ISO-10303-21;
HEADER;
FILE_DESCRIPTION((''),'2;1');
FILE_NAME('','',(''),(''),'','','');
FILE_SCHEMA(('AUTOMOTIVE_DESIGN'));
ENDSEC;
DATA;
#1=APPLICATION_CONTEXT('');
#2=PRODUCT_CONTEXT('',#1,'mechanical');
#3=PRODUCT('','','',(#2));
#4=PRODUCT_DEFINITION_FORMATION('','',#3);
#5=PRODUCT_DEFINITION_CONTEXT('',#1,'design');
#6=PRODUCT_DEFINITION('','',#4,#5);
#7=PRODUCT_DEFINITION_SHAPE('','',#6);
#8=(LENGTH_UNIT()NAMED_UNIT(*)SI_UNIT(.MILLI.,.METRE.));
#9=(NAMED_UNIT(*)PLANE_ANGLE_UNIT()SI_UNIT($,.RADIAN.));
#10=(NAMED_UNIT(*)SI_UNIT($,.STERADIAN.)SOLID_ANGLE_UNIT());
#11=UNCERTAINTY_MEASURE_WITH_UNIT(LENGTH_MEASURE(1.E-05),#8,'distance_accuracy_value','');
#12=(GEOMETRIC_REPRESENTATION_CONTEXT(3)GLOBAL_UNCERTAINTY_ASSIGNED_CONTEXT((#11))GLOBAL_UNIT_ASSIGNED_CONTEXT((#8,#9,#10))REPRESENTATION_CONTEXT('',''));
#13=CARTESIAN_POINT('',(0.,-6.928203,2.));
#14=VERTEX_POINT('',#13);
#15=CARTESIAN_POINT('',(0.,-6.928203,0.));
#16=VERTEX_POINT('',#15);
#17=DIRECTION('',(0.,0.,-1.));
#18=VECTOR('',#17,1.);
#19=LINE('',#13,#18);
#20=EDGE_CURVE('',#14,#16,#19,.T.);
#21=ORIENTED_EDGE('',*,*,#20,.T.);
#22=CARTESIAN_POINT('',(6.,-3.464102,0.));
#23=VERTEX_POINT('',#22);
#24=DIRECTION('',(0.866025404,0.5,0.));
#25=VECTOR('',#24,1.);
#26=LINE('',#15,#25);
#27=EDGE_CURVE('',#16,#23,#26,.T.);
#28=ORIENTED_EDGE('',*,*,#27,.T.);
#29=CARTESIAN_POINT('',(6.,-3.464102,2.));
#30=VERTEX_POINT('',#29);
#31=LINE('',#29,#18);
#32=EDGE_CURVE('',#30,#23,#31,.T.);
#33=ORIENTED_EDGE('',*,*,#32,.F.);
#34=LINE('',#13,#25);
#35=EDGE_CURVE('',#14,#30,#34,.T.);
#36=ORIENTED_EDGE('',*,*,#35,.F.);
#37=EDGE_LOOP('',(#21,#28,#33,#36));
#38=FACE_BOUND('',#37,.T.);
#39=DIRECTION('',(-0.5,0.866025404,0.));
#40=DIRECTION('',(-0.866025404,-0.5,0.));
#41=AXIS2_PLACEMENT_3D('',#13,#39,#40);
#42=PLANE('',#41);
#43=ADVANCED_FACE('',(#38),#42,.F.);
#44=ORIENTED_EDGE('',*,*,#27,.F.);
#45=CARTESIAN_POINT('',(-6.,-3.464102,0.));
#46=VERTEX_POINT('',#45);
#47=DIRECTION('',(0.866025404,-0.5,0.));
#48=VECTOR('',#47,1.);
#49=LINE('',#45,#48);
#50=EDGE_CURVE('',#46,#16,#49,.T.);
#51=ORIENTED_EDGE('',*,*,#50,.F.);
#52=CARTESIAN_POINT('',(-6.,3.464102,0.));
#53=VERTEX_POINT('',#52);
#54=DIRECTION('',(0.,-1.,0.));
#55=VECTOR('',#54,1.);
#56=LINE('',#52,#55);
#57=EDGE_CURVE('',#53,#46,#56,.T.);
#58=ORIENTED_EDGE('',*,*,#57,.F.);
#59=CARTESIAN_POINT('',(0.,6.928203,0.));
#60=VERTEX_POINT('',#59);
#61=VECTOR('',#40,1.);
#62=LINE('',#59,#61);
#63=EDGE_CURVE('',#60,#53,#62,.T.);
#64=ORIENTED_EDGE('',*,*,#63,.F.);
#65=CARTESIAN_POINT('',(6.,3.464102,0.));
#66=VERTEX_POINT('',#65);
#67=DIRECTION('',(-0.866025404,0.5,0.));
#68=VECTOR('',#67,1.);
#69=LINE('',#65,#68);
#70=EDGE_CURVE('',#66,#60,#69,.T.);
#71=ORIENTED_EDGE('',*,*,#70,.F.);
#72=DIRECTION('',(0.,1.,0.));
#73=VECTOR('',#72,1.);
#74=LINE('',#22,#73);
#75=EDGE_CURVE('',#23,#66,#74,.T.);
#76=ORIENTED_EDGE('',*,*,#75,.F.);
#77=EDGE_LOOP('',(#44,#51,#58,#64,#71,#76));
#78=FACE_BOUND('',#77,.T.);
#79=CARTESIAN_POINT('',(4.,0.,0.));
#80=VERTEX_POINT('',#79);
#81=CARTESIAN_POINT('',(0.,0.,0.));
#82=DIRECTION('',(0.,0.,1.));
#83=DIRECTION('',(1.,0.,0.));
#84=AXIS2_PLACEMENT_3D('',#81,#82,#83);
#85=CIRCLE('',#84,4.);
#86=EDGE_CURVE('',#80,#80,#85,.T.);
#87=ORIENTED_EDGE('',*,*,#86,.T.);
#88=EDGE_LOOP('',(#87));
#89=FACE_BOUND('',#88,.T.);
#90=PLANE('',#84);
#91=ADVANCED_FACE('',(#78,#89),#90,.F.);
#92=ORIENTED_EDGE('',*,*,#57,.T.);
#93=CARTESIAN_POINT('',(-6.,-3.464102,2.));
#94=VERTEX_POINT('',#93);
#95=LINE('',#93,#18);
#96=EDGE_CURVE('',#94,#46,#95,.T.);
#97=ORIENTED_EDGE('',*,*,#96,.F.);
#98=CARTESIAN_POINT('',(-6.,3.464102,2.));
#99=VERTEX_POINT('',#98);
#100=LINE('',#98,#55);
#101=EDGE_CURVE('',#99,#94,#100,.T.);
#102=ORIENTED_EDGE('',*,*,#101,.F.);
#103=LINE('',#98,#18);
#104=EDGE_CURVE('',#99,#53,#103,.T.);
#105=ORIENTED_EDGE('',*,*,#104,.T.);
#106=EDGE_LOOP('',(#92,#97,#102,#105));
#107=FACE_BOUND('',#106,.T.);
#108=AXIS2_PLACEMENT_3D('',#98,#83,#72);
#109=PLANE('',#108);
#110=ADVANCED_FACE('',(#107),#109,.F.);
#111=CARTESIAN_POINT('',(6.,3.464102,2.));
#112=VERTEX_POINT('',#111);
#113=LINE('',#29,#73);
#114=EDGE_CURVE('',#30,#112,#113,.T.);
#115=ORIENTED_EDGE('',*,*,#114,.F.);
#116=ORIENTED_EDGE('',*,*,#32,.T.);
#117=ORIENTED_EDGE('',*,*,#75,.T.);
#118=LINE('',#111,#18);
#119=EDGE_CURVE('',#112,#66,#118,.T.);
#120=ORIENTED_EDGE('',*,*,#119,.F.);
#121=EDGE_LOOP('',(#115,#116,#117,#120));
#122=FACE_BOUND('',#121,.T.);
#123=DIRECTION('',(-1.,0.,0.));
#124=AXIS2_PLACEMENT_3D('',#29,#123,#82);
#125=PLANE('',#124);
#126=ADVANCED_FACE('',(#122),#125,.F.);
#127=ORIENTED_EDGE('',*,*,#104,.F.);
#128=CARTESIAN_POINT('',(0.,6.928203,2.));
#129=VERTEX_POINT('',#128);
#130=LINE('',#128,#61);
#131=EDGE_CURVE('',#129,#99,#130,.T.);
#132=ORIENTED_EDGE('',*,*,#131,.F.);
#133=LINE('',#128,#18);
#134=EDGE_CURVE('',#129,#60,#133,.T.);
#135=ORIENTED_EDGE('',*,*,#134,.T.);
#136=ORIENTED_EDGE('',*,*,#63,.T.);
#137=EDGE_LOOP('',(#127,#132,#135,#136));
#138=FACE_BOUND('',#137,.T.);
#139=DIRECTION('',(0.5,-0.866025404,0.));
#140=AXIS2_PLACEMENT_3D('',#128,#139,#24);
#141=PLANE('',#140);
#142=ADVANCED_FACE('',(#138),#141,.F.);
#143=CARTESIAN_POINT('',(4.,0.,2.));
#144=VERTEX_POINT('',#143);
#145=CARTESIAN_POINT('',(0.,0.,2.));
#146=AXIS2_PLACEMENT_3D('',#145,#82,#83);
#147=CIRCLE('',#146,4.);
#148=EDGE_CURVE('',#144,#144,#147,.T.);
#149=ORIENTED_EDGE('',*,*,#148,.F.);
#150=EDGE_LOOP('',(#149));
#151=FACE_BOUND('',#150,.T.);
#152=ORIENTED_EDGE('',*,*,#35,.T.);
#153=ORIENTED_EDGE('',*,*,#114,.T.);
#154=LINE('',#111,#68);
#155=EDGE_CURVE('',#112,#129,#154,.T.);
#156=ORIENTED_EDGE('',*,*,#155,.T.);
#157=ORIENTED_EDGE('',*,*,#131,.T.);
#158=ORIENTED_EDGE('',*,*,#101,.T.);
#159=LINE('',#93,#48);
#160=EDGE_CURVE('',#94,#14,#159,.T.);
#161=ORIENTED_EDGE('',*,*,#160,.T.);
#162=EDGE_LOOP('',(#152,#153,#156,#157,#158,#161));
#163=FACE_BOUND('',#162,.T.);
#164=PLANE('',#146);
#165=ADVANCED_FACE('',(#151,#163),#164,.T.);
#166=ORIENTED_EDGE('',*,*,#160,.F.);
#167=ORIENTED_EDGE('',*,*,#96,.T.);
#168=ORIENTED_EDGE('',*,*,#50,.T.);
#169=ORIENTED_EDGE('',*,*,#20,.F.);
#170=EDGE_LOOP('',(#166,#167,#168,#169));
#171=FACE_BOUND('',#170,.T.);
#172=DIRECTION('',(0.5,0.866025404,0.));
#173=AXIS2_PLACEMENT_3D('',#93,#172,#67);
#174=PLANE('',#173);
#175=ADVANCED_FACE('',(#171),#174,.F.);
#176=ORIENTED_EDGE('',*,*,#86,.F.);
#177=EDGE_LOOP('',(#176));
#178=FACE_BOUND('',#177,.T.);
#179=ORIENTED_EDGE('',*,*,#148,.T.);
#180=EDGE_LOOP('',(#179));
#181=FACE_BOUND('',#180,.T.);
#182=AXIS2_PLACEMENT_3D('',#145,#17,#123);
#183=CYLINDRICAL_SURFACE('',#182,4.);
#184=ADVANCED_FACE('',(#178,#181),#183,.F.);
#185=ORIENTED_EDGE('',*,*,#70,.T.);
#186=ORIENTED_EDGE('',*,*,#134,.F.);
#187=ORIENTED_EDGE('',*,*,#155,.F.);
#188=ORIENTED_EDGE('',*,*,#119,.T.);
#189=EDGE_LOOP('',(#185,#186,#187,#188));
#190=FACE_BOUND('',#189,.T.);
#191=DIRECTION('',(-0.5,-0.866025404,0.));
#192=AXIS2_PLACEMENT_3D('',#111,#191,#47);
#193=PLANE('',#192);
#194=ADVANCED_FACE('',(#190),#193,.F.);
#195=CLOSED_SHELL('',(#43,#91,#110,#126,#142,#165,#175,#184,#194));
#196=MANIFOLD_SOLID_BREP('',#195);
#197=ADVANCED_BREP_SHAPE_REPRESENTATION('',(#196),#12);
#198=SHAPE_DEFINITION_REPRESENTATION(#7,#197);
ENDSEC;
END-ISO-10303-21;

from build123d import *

# Parameters (mm, degrees)
SKETCH_1_R      = 4
EXTRUDE_1_DEPTH = 2


with BuildPart() as part:
    # Эскиз1 → Бобышка-Вытянуть1 (new body)
    with BuildSketch(Plane.XY):
        Polygon((0, 6.92820323), (-6, 3.464101615), (-6, -3.464101615), (0, -6.92820323), (6, -3.464101615), (6, 3.464101615), align=None)
        Circle(SKETCH_1_R, mode=Mode.SUBTRACT)
    extrude(amount=EXTRUDE_1_DEPTH)


solid = part.part
